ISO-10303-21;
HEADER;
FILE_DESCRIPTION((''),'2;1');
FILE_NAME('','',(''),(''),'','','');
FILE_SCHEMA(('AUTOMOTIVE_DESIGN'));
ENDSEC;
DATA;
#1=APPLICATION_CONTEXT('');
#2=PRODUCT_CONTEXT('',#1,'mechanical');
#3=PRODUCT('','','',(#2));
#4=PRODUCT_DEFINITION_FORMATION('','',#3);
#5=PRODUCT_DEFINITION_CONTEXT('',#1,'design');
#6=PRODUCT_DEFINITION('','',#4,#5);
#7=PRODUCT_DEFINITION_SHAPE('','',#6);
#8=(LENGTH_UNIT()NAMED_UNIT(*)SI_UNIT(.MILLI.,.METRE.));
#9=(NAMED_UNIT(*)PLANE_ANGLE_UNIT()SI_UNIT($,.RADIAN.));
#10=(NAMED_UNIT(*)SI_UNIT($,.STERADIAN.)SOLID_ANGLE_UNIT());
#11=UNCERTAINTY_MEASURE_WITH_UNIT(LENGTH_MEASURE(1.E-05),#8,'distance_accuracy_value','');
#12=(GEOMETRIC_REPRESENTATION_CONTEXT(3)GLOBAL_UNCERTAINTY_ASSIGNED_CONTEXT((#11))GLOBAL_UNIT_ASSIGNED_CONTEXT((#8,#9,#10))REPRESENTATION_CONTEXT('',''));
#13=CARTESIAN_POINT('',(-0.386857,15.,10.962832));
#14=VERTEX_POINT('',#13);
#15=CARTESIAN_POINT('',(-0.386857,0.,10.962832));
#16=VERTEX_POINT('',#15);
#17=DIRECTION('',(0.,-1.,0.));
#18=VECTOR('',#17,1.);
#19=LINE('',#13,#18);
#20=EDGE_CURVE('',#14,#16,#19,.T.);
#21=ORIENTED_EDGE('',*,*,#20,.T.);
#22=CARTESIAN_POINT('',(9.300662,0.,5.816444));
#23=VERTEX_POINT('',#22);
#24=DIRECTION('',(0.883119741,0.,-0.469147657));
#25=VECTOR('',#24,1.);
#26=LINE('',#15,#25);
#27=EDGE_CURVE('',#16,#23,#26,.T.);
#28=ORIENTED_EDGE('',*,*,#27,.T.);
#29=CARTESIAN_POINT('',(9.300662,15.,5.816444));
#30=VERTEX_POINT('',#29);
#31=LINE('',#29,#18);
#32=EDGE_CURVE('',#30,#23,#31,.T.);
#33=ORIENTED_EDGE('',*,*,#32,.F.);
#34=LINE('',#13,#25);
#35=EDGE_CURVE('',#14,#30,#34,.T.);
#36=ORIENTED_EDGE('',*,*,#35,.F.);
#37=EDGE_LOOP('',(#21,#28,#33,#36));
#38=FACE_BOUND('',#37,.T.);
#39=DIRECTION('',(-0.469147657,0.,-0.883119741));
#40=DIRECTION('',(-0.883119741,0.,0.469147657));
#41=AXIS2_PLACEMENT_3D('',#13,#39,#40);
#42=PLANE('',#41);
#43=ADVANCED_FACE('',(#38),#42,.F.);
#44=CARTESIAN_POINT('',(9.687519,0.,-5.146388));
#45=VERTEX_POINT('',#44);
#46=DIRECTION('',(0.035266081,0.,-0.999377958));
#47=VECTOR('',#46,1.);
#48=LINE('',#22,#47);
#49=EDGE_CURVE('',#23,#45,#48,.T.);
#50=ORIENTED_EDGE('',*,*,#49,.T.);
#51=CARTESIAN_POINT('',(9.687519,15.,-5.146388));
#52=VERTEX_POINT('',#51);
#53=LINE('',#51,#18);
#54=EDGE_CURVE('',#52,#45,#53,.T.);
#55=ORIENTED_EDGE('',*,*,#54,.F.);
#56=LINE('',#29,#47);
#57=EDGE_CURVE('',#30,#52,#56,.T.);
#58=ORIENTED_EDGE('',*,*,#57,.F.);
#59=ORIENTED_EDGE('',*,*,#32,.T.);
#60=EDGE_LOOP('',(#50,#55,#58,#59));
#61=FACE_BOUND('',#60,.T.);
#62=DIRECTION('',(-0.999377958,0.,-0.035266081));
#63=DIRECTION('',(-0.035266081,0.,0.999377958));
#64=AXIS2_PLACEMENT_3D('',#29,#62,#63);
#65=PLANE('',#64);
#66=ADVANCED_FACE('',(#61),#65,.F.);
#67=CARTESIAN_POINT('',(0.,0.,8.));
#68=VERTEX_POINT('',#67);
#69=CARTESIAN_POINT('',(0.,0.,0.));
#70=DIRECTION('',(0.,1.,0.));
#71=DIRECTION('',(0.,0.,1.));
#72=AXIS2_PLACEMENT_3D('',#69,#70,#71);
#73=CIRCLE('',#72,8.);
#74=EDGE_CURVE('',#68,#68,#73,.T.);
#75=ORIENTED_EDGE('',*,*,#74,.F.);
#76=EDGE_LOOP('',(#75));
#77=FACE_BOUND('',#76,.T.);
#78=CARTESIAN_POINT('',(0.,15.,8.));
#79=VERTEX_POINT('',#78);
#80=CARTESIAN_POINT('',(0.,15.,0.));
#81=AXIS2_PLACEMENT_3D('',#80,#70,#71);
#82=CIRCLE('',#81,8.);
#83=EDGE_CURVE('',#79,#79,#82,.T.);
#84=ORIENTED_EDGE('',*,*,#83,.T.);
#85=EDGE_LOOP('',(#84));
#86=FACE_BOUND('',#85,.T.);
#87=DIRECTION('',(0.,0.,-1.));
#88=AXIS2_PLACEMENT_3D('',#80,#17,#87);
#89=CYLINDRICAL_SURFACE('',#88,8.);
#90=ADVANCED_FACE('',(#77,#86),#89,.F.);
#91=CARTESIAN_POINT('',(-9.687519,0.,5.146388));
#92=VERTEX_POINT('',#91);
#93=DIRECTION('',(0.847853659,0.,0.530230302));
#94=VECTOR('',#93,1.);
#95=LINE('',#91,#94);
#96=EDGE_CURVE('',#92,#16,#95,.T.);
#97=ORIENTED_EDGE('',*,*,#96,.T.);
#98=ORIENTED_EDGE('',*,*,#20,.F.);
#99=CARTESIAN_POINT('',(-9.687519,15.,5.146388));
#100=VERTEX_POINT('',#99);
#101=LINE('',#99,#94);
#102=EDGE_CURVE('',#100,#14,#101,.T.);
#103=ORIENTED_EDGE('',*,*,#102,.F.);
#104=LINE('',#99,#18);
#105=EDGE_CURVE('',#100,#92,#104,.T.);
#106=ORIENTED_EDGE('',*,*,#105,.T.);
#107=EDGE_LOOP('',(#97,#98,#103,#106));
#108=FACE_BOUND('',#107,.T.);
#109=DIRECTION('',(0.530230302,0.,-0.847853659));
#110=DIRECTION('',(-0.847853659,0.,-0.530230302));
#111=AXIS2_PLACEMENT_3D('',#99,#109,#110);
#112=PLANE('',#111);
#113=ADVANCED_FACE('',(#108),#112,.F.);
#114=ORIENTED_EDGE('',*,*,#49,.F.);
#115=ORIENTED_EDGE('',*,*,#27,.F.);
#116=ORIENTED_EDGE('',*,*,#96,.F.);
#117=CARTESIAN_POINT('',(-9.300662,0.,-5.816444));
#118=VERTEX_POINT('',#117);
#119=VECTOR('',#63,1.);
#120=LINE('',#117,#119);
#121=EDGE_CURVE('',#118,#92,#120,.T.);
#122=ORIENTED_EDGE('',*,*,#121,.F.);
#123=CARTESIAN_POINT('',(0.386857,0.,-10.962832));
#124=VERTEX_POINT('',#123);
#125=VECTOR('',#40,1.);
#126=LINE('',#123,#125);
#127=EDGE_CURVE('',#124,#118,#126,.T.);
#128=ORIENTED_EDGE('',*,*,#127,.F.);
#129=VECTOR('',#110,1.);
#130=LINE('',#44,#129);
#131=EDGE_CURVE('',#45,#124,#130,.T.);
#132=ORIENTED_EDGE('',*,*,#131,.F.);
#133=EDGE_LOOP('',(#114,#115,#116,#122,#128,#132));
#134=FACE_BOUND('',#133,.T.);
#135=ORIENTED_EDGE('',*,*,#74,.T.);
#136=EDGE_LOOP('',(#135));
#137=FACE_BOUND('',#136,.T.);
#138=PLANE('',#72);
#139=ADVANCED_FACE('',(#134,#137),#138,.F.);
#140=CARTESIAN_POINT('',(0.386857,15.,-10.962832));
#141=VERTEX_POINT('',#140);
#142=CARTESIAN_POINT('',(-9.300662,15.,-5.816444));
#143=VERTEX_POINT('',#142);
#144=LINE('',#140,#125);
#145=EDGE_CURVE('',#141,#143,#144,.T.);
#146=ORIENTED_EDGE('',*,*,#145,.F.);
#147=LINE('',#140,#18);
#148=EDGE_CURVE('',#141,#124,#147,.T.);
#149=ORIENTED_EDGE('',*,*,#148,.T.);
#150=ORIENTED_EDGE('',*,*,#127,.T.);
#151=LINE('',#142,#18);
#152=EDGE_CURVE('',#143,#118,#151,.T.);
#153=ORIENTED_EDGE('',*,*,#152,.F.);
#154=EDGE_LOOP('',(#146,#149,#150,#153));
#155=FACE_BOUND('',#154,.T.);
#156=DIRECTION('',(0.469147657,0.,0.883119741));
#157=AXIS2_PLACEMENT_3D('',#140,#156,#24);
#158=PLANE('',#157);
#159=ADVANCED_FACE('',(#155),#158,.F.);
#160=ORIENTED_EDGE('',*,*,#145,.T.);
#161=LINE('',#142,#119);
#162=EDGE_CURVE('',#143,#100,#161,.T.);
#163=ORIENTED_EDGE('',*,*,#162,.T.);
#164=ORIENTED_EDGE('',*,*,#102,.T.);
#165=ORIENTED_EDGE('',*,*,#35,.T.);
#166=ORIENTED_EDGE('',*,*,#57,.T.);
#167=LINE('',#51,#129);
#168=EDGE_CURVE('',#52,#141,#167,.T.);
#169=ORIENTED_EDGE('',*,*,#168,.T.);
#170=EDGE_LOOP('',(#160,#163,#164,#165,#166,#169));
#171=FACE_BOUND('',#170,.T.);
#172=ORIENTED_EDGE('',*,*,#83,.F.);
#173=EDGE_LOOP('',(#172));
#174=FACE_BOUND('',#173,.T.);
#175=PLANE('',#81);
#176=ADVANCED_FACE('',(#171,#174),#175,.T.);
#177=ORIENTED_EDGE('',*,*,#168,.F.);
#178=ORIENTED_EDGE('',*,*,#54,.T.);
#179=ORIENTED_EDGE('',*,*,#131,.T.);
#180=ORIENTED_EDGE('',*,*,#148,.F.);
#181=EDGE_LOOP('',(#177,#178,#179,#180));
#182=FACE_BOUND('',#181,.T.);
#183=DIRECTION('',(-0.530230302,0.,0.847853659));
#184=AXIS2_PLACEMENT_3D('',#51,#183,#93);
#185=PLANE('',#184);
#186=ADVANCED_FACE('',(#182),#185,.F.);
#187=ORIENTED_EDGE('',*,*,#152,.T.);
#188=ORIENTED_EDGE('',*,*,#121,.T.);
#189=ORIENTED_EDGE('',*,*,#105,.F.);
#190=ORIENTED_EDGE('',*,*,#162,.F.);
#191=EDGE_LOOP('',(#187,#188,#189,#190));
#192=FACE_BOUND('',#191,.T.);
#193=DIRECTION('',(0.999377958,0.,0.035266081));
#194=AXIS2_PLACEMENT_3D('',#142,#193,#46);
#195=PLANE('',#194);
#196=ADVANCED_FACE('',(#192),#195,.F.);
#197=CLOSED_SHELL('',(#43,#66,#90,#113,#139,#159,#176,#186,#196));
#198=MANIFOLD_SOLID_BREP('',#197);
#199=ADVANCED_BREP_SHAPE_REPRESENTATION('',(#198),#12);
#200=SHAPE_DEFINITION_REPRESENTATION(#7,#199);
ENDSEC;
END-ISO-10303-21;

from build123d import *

# Parameters (mm, degrees)
SKETCH1_R           = 8
BOSS_EXTRUDE1_DEPTH = 15


with BuildPart() as part:
    # Sketch1 → Boss-Extrude1 (new body)
    with BuildSketch(Plane(origin=(0, 0, 0), x_dir=(1, 0, 0), z_dir=(0, 1, 0))):
        Polygon((-9.300662228, 5.81644354), (-9.687518979, -5.146387992), (-0.386856751, -10.962831531), (9.300662228, -5.81644354), (9.687518979, 5.146387992), (0.386856751, 10.962831531), align=None)
        Circle(SKETCH1_R, mode=Mode.SUBTRACT)
    extrude(amount=BOSS_EXTRUDE1_DEPTH)


solid = part.part
